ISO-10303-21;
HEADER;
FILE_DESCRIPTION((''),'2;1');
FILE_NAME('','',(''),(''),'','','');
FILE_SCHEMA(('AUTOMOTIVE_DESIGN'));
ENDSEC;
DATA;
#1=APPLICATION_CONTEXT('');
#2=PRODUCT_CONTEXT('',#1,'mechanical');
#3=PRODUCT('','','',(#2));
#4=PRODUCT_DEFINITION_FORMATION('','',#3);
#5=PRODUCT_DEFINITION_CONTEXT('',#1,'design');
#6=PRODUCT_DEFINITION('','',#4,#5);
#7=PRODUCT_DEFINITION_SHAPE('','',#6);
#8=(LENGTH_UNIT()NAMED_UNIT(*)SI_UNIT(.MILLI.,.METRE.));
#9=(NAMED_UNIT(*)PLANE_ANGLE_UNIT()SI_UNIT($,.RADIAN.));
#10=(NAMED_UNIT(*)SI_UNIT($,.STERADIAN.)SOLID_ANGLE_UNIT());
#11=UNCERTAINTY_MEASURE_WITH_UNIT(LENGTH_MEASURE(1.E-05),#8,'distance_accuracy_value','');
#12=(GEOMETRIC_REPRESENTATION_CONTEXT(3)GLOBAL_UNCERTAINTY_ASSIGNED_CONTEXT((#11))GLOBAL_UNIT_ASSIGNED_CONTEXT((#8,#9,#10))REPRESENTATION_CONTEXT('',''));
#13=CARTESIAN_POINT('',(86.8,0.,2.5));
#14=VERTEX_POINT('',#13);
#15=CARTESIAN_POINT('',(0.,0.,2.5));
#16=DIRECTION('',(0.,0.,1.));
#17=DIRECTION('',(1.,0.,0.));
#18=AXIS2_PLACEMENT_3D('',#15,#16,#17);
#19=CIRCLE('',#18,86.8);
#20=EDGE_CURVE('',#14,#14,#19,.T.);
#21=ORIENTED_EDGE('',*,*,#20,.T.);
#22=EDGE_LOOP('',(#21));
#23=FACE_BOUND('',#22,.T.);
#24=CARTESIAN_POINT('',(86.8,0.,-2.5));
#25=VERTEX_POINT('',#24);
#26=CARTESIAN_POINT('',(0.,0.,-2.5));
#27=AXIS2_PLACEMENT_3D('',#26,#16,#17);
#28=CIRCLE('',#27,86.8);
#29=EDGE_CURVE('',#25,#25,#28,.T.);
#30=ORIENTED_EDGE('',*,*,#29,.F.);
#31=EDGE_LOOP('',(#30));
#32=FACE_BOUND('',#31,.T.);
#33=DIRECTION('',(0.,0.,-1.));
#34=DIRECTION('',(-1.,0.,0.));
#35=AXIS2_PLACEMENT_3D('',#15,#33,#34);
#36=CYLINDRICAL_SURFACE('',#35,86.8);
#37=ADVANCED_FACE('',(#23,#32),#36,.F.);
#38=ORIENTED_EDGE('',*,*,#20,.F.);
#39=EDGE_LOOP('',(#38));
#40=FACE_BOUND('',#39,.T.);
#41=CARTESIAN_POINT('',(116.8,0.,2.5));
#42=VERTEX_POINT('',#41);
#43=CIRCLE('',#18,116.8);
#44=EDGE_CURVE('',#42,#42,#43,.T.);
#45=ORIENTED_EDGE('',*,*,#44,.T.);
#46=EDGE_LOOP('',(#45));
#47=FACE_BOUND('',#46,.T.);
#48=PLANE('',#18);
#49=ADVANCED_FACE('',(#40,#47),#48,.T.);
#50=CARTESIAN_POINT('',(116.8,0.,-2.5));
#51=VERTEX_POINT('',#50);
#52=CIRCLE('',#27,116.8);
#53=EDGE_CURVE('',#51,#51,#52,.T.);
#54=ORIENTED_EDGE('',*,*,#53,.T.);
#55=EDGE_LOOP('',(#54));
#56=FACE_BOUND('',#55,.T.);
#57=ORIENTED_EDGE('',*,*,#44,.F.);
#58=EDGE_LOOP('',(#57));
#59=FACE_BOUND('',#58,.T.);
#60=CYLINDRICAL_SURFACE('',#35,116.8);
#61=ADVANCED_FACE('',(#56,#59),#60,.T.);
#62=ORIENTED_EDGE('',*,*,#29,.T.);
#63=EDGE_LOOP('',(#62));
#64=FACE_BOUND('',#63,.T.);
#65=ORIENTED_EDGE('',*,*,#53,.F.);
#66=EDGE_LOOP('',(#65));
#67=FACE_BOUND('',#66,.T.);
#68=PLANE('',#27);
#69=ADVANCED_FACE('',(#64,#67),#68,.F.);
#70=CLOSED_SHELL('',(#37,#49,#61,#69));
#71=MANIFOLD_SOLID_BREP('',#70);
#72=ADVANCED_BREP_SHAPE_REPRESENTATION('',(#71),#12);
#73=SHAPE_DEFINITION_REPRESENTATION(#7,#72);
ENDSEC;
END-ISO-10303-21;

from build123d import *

# Parameters (mm, degrees)
SKETCH1_R           = 116.8
SKETCH1_R_2         = 86.8
EXTRUDE_THIN1_DEPTH = 2.5


with BuildPart() as part:
    # Sketch1 → Extrude-Thin1 (new, symmetric)
    with BuildSketch(Plane.XY):
        Circle(SKETCH1_R)
        Circle(SKETCH1_R_2, mode=Mode.SUBTRACT)
    extrude(amount=EXTRUDE_THIN1_DEPTH, both=True)


solid = part.part
